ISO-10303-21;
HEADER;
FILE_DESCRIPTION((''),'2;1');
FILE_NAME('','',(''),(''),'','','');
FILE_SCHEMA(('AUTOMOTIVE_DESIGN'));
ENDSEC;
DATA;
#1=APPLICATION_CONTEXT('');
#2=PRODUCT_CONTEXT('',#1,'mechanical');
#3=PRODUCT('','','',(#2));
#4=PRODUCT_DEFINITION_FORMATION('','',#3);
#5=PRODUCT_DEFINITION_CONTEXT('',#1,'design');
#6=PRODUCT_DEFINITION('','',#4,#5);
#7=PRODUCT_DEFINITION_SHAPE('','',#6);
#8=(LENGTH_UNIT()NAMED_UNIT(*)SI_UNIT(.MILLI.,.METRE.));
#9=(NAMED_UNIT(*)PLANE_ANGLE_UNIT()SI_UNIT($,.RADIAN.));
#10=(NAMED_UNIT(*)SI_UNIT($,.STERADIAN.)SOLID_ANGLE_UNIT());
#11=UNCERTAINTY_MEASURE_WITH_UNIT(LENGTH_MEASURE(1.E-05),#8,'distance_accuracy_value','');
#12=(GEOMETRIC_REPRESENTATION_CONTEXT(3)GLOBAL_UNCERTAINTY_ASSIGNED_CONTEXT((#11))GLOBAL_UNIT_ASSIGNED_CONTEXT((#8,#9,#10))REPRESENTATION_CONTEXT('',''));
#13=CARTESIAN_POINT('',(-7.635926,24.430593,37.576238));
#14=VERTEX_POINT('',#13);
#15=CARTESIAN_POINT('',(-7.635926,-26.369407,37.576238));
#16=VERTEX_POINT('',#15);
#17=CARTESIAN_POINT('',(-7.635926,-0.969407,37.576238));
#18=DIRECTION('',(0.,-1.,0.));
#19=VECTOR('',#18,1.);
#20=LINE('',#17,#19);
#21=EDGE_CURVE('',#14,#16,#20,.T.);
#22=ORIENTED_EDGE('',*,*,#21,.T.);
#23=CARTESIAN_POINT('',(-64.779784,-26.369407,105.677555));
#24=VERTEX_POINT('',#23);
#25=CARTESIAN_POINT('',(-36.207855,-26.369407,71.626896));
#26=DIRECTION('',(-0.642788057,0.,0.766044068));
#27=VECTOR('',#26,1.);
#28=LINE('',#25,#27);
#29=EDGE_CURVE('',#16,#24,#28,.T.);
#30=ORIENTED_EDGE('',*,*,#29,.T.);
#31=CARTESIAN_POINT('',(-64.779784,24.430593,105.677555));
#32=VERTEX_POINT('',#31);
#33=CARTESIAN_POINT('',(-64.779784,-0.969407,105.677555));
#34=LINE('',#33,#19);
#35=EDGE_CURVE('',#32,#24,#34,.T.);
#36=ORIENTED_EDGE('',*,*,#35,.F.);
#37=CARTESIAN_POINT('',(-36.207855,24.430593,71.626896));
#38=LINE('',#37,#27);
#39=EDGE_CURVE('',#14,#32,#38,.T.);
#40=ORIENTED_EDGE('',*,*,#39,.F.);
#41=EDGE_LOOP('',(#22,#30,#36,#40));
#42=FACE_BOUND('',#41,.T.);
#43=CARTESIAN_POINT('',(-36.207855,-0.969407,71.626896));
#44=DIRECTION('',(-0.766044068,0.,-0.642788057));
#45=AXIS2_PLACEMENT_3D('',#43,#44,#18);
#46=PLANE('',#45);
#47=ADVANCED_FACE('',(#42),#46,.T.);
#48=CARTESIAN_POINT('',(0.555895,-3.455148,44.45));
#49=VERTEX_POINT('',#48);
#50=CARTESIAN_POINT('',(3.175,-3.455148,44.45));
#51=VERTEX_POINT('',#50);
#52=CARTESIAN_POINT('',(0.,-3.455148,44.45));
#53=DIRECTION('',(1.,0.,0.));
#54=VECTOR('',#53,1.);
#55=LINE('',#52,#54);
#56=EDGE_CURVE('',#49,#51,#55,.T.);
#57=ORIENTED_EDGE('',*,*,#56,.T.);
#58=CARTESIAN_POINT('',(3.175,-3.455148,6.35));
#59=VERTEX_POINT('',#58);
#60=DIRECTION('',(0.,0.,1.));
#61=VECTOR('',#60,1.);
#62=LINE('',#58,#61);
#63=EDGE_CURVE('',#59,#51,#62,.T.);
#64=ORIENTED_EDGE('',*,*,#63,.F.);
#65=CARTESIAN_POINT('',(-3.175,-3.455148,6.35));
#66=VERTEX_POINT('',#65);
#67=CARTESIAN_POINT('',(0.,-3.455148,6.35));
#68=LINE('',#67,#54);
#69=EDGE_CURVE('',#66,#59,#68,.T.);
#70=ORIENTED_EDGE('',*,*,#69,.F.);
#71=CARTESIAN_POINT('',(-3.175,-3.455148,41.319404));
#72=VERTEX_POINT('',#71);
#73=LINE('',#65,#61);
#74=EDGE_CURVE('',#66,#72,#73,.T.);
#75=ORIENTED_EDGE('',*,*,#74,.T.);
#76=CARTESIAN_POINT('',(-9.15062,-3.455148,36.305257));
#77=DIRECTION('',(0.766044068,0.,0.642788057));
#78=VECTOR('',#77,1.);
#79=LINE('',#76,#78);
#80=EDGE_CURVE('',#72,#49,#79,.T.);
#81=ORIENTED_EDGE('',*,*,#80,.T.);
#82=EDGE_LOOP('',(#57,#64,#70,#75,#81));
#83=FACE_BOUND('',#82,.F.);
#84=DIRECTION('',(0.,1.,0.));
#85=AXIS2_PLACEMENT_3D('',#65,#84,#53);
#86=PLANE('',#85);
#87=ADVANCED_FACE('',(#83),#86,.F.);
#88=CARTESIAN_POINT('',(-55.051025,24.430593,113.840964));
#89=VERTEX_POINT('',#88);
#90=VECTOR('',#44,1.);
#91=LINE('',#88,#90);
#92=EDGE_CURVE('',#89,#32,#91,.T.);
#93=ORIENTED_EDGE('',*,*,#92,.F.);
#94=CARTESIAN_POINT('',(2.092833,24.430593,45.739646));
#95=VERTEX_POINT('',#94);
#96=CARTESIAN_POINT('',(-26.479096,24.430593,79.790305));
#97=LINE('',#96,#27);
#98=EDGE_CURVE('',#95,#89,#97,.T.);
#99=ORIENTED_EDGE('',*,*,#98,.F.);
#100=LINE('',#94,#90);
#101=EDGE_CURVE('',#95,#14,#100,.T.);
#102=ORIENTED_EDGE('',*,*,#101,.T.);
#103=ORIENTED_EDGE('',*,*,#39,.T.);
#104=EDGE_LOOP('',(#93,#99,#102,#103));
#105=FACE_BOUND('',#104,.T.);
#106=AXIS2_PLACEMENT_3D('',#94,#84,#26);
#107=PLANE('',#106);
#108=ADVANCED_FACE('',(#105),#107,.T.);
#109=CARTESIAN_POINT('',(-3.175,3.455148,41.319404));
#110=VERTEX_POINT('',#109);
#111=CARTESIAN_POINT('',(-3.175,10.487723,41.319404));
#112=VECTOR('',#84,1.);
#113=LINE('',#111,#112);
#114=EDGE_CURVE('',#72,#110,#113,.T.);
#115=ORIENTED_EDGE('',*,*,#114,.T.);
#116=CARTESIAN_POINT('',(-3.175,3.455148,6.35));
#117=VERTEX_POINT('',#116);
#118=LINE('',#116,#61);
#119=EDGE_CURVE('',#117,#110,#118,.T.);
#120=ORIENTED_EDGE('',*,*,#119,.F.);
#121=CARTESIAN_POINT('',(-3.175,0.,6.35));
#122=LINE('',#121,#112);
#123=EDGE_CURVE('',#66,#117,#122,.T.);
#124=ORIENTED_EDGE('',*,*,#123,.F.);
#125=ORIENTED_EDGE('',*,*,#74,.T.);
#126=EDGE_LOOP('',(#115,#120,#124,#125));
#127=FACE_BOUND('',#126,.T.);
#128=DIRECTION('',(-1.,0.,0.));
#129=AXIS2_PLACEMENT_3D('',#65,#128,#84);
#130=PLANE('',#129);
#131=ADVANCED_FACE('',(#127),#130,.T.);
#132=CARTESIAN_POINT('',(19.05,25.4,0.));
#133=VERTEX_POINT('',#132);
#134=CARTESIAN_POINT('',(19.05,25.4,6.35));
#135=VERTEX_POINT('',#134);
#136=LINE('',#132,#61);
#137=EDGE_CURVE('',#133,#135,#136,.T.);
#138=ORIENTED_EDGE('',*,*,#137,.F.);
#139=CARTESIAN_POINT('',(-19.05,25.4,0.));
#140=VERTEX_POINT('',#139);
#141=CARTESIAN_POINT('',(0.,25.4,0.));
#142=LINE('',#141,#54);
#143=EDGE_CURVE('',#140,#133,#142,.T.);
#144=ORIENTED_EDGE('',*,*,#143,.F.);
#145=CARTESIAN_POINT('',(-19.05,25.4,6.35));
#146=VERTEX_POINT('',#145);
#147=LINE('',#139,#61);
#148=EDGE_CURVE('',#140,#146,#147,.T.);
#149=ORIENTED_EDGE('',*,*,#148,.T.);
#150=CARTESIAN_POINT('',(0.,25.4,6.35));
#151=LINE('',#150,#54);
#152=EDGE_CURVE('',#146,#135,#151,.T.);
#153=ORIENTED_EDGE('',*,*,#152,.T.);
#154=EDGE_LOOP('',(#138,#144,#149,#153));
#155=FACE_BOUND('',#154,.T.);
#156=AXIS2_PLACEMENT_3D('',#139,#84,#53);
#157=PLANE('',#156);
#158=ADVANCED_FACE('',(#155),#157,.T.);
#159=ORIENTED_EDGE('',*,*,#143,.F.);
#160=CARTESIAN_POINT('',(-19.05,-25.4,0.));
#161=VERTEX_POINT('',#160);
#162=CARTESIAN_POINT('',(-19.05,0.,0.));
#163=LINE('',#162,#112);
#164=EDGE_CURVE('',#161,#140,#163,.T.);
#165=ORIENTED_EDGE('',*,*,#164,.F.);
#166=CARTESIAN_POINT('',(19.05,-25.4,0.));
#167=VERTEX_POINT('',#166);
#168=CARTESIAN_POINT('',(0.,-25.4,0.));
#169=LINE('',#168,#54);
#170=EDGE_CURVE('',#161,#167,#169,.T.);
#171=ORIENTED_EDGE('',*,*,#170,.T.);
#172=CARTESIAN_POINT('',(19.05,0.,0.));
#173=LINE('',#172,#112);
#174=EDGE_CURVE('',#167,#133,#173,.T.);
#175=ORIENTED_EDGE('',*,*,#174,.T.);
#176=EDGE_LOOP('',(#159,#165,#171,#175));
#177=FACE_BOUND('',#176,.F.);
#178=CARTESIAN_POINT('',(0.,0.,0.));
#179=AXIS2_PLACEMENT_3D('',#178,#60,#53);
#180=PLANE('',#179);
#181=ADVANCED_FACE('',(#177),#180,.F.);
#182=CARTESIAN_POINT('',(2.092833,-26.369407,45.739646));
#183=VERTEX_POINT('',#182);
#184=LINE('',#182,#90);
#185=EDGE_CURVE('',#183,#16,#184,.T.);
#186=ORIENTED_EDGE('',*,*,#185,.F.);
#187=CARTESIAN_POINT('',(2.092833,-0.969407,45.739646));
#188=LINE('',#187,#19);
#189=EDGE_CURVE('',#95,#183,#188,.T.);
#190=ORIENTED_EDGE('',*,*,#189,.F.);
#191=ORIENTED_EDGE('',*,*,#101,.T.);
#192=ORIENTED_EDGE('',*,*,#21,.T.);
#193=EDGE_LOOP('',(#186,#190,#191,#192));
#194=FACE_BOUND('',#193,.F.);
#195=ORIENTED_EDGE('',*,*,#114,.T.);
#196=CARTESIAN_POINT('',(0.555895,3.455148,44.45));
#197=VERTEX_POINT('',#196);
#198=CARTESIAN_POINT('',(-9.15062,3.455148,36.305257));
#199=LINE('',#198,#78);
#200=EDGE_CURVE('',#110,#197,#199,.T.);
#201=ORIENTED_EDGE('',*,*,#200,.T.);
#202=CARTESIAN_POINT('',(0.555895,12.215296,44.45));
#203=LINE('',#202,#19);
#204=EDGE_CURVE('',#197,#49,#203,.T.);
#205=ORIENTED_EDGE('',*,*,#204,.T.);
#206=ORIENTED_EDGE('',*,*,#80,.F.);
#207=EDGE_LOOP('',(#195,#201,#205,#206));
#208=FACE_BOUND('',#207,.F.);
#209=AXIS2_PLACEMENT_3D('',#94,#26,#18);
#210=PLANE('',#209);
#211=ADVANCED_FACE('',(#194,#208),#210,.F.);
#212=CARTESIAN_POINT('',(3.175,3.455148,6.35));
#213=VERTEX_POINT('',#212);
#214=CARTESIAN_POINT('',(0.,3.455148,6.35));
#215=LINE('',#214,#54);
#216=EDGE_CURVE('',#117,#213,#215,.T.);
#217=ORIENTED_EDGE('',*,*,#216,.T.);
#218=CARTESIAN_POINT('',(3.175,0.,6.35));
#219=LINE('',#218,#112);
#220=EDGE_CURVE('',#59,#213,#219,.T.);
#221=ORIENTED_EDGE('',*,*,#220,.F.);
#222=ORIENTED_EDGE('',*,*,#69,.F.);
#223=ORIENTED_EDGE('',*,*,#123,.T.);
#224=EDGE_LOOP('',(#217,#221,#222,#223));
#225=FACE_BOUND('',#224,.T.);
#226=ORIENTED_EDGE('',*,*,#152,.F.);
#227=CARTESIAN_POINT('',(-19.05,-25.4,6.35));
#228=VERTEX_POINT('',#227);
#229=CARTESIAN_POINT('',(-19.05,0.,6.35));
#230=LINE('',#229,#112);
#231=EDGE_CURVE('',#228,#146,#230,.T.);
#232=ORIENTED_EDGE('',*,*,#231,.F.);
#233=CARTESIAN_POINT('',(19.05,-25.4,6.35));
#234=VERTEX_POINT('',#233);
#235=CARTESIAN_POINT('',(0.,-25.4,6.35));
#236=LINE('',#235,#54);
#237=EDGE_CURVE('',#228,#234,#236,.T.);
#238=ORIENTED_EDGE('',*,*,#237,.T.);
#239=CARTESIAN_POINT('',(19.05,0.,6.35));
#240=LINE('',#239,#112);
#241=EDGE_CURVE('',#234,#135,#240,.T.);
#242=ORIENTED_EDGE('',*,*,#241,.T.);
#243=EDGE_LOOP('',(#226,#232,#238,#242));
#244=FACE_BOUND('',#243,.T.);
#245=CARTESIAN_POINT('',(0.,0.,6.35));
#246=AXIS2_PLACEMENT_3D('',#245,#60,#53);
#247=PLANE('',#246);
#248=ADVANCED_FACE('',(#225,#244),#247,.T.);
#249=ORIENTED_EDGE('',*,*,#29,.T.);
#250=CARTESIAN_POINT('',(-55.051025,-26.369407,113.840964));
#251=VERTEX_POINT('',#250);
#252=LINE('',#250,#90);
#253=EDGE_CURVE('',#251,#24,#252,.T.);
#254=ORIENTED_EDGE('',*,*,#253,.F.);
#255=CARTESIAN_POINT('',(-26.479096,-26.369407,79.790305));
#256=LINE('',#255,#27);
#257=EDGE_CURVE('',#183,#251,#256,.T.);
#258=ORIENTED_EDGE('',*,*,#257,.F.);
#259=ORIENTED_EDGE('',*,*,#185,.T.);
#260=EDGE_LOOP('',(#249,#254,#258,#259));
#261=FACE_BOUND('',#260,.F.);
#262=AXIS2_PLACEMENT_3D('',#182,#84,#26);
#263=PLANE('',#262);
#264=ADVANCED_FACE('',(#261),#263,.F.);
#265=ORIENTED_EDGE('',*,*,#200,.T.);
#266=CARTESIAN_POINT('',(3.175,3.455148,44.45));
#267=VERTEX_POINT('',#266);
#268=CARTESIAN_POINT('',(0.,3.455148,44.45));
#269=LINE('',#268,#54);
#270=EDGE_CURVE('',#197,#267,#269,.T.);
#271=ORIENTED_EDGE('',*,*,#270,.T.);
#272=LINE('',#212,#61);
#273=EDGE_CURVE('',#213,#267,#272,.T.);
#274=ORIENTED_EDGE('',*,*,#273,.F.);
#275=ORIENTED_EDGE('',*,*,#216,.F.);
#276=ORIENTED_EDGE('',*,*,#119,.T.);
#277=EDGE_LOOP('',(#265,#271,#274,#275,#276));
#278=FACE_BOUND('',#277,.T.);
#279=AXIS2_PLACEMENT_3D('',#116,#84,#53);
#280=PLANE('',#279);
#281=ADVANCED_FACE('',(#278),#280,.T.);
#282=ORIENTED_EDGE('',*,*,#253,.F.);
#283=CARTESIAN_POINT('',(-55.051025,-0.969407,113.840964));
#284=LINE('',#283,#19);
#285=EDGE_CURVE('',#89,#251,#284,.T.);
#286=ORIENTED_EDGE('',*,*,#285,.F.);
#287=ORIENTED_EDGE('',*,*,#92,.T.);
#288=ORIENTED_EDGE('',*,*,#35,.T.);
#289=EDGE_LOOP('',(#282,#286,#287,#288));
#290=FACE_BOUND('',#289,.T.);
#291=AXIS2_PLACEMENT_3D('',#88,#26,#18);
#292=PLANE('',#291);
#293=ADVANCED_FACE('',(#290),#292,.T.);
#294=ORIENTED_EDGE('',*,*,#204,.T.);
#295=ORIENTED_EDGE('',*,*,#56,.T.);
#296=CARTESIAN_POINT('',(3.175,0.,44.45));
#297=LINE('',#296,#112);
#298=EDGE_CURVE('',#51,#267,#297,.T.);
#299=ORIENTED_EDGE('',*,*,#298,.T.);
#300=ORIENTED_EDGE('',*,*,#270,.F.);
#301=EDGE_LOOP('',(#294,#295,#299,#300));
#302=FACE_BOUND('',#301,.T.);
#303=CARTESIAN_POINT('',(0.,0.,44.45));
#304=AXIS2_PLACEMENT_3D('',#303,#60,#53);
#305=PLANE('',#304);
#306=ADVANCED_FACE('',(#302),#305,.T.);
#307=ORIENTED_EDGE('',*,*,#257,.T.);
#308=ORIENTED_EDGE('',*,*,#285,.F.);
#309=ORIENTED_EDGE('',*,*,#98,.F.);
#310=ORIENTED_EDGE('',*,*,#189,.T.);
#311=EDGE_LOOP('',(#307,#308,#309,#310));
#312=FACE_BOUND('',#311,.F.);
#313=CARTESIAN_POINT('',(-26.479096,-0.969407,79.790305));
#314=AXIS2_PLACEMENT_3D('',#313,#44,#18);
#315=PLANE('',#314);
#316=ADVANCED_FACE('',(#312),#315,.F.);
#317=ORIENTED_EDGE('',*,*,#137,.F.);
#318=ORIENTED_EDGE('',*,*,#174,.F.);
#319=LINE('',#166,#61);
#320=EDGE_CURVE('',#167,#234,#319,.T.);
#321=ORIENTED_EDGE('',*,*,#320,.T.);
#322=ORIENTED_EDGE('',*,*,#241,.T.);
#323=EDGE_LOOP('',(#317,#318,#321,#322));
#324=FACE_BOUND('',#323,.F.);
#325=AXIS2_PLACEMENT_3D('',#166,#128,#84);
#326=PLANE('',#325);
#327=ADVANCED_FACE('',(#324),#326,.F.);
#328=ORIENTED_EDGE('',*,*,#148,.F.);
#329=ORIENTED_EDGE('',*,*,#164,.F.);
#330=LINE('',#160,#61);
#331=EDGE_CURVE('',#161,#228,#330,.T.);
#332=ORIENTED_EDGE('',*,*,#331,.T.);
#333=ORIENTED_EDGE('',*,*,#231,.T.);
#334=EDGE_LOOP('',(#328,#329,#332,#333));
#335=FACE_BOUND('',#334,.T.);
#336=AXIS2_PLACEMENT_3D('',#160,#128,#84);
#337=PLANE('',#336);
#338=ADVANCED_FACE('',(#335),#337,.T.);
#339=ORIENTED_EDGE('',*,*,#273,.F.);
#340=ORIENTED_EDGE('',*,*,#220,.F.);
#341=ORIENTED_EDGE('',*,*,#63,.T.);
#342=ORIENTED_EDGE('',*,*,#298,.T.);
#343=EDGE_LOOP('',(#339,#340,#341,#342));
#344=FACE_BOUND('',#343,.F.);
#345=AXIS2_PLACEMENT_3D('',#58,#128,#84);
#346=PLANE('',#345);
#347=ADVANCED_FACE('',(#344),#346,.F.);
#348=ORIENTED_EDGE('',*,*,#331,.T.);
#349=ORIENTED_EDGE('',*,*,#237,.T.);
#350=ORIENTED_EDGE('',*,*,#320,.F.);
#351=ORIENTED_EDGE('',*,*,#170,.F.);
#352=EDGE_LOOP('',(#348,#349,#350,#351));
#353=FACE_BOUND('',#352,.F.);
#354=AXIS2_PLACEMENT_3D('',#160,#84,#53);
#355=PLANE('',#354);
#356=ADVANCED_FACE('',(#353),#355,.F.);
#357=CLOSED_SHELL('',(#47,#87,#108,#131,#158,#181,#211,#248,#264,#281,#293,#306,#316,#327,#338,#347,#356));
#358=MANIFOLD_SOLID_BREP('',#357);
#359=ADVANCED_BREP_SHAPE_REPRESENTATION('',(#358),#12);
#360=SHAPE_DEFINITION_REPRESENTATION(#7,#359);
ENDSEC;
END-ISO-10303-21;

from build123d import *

# Parameters (mm, degrees)
F0_W     = 38.1
F0_H     = 50.8
F1_DEPTH = 6.35
F2_W     = 6.35
F2_H     = 6.910296
F3_DEPTH = 38.1
F6_W     = 50.8
F6_H     = 88.9
F7_DEPTH = 12.7


with BuildPart() as f1:
    # F0 (on Top) → F1 (new body)
    with BuildSketch(Plane.XY):
        Rectangle(F0_W, F0_H)
    extrude(amount=F1_DEPTH)

    # F2 (on face) → F3 (join)
    with BuildSketch(Plane.XY.offset(6.35)):
        Rectangle(F2_W, F2_H)
    extrude(amount=F3_DEPTH)

    # F6 (on face) → F7 (join)
    with BuildSketch(Plane(origin=(23.750519, 0, 19.929052), x_dir=(0, -1, 0), z_dir=(-0.766044, 0, -0.642788))):
        with Locations((0.969407, 78.143354)):
            Rectangle(F6_W, F6_H)
    extrude(amount=F7_DEPTH)


solid = f1.part
